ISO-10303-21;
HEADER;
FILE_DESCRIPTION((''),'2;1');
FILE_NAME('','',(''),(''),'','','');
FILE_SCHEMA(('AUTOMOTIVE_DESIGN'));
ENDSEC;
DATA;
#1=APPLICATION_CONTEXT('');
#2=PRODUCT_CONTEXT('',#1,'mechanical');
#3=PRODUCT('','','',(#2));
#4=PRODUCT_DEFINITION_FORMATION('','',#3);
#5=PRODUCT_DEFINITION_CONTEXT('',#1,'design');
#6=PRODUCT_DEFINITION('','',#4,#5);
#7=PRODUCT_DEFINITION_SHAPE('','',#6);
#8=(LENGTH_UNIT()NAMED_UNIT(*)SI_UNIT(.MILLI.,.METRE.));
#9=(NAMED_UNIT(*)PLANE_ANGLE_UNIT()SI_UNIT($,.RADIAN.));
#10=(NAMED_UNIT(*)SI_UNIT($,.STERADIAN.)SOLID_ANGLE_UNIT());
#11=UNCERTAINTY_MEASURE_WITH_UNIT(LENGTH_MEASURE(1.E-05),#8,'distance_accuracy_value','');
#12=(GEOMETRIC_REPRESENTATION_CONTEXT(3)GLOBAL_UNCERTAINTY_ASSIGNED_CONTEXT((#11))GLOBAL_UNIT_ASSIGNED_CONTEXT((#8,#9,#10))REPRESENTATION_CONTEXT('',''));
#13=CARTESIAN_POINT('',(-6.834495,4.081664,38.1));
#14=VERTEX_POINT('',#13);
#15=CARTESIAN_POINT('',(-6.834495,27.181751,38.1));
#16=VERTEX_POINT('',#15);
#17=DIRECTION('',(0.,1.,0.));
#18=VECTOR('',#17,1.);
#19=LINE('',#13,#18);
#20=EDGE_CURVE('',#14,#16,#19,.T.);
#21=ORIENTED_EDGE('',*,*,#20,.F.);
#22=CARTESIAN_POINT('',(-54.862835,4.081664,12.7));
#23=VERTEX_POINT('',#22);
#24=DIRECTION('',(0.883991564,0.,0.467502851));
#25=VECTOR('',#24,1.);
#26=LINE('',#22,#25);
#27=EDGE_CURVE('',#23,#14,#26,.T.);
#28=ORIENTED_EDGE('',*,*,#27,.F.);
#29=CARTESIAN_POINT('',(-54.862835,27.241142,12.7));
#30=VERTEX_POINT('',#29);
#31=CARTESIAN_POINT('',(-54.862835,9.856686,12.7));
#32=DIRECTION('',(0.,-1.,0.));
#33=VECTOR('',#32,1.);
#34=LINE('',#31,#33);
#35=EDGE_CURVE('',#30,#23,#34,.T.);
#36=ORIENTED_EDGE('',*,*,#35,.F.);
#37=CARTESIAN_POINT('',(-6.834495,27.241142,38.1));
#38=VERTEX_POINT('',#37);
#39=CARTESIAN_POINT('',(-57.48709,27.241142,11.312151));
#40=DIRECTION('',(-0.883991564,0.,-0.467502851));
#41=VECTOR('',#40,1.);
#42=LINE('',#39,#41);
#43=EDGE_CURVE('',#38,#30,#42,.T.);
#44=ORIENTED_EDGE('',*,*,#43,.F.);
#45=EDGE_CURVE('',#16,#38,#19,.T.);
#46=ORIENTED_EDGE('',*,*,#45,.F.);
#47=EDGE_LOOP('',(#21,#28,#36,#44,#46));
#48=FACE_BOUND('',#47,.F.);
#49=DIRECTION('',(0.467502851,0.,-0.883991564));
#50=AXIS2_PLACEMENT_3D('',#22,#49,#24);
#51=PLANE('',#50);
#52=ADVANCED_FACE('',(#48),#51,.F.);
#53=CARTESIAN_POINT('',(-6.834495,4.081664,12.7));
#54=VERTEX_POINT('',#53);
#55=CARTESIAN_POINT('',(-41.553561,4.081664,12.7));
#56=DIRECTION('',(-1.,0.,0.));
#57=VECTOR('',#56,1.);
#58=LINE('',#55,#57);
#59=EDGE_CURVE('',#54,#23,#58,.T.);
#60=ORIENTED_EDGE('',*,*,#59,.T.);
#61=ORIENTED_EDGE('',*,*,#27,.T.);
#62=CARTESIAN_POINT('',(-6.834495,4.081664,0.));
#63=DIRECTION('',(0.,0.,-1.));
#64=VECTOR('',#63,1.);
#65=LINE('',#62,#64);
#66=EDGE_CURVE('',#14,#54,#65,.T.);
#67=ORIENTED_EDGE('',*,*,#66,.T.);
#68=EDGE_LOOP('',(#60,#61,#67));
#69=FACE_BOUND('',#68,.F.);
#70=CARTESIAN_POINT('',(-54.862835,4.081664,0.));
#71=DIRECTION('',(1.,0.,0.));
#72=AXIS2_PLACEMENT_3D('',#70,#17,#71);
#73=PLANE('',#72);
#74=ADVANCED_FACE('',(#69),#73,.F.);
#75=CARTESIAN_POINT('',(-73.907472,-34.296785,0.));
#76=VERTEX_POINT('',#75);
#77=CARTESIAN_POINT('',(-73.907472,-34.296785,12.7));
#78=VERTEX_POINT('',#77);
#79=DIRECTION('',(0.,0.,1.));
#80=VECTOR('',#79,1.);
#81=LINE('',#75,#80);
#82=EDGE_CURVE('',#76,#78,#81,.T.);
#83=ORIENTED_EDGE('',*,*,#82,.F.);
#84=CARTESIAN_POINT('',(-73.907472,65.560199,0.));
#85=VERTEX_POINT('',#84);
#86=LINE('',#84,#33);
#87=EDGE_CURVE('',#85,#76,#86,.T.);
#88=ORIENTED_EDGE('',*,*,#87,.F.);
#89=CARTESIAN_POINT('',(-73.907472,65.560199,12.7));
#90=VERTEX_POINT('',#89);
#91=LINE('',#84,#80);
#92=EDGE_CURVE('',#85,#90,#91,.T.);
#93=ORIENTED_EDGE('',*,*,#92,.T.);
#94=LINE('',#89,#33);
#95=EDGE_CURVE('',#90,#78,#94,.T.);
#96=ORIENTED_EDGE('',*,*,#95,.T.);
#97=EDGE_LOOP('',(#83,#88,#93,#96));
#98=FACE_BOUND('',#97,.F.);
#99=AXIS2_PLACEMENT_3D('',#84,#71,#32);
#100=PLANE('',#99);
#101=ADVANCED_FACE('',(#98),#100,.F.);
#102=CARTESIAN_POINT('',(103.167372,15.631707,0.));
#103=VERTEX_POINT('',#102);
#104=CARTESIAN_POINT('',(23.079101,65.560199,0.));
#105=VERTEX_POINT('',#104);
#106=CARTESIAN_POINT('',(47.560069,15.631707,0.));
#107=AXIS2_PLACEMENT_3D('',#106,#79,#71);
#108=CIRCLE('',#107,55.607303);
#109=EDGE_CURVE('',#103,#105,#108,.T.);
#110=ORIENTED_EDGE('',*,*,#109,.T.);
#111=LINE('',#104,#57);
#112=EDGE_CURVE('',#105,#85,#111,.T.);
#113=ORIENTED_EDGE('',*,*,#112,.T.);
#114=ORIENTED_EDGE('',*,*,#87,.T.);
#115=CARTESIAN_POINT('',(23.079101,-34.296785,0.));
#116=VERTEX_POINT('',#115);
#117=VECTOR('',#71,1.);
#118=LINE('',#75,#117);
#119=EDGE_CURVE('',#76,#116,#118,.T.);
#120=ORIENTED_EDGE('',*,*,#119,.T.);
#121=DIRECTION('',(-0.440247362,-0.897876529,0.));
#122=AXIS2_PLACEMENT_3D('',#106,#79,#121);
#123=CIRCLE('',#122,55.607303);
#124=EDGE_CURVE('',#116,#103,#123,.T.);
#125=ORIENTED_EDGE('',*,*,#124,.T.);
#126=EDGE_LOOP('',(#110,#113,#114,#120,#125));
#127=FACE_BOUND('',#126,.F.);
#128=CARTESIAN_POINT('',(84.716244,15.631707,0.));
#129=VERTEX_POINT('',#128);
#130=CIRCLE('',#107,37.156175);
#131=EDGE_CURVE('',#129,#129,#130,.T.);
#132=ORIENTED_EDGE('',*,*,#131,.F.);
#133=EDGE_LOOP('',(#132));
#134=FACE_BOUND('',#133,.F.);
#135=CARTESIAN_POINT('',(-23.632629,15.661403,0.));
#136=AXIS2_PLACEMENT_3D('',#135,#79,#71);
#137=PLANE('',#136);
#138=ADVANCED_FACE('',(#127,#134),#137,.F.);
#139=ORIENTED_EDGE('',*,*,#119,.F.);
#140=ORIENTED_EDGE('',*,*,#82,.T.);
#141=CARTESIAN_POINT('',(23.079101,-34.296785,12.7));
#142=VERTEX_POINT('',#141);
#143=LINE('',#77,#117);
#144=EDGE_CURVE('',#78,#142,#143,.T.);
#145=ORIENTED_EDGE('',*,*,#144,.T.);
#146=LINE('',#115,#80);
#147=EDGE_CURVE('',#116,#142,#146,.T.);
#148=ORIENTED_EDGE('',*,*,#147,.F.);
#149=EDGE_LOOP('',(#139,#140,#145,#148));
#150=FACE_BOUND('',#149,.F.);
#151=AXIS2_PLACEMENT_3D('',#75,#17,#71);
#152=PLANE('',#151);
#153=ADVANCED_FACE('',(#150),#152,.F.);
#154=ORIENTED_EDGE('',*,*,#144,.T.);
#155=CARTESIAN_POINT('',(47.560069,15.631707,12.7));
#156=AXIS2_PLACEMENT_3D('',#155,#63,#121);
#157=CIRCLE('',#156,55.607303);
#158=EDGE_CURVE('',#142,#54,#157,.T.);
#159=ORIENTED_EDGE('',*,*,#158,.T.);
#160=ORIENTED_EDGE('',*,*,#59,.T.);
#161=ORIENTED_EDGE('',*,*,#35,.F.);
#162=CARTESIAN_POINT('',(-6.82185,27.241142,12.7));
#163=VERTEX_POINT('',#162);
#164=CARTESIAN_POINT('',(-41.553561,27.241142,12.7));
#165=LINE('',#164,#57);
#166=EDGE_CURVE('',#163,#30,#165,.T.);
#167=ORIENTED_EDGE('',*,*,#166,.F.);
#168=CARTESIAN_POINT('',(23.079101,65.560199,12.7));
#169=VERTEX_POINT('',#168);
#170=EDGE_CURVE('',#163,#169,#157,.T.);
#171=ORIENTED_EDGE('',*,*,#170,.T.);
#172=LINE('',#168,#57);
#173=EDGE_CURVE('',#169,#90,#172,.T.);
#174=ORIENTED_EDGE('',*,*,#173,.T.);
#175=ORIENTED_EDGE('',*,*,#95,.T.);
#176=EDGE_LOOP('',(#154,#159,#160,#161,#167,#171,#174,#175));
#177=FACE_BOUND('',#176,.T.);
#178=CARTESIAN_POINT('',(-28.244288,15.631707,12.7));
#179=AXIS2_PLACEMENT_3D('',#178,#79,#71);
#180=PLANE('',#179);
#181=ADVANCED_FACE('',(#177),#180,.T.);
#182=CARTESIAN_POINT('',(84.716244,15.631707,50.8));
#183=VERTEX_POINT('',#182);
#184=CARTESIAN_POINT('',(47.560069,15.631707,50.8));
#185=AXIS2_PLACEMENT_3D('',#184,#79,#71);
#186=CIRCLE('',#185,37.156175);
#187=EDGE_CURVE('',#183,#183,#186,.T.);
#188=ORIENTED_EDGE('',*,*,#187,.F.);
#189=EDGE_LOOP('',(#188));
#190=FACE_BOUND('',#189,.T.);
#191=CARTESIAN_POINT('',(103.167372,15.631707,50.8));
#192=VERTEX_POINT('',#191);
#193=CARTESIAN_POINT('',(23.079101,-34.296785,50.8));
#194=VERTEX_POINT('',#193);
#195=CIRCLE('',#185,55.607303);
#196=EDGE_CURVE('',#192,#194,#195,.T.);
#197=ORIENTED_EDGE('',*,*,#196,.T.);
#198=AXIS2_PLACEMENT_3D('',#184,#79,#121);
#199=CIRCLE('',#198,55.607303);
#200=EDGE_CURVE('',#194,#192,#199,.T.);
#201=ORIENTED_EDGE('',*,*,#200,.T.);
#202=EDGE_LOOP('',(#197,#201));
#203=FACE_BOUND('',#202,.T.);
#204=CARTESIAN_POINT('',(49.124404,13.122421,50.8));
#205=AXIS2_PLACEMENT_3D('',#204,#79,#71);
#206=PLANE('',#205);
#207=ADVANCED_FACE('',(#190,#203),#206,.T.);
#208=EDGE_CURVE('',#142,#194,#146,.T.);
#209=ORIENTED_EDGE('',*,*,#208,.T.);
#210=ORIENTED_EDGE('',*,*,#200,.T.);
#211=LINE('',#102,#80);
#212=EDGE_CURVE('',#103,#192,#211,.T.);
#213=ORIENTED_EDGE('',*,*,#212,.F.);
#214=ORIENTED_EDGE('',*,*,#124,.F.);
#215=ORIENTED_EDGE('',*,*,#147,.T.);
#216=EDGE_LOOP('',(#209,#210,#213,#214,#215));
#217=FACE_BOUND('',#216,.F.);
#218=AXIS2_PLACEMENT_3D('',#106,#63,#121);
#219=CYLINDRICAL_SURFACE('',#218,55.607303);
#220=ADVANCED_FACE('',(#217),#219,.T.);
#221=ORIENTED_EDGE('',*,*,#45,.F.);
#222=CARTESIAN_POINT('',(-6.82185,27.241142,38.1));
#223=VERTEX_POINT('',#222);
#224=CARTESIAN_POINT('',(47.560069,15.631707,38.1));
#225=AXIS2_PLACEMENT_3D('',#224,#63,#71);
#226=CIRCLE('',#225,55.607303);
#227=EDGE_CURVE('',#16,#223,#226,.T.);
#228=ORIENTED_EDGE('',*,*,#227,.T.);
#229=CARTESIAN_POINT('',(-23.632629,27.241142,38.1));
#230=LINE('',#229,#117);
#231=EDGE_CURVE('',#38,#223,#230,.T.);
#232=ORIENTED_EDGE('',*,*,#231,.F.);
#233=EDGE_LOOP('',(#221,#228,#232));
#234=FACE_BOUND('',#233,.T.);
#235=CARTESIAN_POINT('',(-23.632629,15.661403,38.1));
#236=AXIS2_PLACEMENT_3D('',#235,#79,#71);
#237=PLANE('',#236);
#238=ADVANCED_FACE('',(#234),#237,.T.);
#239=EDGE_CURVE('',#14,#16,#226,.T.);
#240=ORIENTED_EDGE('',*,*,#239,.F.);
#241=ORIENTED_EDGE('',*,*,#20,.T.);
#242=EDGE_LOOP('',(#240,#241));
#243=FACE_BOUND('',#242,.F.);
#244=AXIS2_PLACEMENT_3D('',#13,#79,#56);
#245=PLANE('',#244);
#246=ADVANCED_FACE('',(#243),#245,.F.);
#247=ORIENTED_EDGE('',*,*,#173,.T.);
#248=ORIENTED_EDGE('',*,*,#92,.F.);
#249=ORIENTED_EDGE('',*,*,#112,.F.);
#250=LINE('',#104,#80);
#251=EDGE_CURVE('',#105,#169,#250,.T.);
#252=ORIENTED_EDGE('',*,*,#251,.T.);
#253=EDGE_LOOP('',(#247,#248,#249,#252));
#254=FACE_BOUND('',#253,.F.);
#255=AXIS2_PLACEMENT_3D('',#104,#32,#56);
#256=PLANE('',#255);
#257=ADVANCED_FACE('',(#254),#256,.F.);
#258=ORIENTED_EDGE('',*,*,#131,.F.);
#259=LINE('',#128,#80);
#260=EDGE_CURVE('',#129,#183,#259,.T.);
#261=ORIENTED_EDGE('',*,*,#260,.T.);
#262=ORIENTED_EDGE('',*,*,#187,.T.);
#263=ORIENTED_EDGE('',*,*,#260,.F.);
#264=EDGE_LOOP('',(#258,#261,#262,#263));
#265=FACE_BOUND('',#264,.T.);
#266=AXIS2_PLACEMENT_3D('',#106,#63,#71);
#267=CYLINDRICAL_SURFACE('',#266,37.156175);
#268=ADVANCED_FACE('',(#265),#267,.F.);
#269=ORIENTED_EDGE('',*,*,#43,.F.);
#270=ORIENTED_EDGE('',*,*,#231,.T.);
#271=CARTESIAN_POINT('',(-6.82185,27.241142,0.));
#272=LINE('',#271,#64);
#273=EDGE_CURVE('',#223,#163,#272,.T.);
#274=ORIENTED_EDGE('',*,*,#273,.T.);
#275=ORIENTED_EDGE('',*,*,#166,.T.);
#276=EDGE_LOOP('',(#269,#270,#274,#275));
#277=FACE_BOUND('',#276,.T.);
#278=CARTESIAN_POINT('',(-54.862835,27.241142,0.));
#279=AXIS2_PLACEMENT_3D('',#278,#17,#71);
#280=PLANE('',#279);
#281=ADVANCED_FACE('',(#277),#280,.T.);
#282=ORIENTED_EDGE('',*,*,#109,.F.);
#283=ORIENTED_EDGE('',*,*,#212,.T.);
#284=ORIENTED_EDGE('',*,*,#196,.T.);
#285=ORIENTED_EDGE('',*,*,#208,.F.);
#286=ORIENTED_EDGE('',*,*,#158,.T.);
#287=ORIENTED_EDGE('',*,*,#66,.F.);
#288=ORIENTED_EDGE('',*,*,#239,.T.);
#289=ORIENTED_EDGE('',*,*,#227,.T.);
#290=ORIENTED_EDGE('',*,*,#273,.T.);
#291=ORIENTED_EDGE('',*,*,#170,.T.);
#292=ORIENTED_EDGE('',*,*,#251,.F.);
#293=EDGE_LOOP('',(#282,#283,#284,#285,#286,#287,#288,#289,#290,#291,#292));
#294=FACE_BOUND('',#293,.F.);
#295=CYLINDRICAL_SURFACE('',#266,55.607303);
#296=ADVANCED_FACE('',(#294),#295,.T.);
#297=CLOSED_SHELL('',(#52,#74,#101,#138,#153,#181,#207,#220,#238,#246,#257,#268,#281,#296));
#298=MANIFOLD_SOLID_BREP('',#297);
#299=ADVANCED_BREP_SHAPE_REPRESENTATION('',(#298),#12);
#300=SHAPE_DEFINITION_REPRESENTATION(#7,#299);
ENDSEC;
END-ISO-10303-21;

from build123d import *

# Parameters (mm, degrees)
F1_DEPTH = 12.7
F0_R     = 37.1561750652
F2_DEPTH = 50.8
F3_W     = 62.4604108743
F3_H     = 23.1594787911
F4_DEPTH = 38.1
F6_DEPTH = 25.4


with BuildPart() as f1:
    # F0 (on Top) → F1 (new body)
    with BuildSketch(Plane.XY):
        with BuildLine():
            Line((23.0791009963, 65.5601993203), (-73.9074721932, 65.5601993203))
            Line((-73.9074721932, 65.5601993203), (-73.9074721932, -34.29678455))
            Line((-73.9074721932, -34.29678455), (23.0791009963, -34.29678455))
            ThreePointArc((23.0791009963, -34.29678455), (-8.0472334197, 15.6317073852), (23.0791009963, 65.5601993203))
        make_face()
    extrude(amount=F1_DEPTH)

    # F0 (on Top) → F2 (join)
    with BuildSketch(Plane.XY):
        with BuildLine():
            ThreePointArc((103.1673720276, 15.6317073852), (76.978188725, 62.8201208563), (23.0791009963, 65.5601993203))
            ThreePointArc((23.0791009963, 65.5601993203), (-8.0472334197, 15.6317073852), (23.0791009963, -34.29678455))
            ThreePointArc((23.0791009963, -34.29678455), (76.978188725, -31.556706086), (103.1673720276, 15.6317073852))
        make_face()
        with Locations((47.5600693039, 15.6317073852)):
            Circle(F0_R, mode=Mode.SUBTRACT)
    extrude(amount=F2_DEPTH)

    # F3 (on Top) → F4 (join)
    with BuildSketch(Plane.XY):
        with Locations((-23.632629076, 15.6614030711)):
            Rectangle(F3_W, F3_H)
    extrude(amount=F4_DEPTH)

    # F5 (on face) → F6 (cut)
    with BuildSketch(Plane.XZ.offset(-4.0816636756)):
        Polygon((-54.8628345132, 38.1), (-54.8628345132, 12.7), (-6.8344948225, 38.1), align=None)
    extrude(amount=-F6_DEPTH, mode=Mode.SUBTRACT)


solid = f1.part
